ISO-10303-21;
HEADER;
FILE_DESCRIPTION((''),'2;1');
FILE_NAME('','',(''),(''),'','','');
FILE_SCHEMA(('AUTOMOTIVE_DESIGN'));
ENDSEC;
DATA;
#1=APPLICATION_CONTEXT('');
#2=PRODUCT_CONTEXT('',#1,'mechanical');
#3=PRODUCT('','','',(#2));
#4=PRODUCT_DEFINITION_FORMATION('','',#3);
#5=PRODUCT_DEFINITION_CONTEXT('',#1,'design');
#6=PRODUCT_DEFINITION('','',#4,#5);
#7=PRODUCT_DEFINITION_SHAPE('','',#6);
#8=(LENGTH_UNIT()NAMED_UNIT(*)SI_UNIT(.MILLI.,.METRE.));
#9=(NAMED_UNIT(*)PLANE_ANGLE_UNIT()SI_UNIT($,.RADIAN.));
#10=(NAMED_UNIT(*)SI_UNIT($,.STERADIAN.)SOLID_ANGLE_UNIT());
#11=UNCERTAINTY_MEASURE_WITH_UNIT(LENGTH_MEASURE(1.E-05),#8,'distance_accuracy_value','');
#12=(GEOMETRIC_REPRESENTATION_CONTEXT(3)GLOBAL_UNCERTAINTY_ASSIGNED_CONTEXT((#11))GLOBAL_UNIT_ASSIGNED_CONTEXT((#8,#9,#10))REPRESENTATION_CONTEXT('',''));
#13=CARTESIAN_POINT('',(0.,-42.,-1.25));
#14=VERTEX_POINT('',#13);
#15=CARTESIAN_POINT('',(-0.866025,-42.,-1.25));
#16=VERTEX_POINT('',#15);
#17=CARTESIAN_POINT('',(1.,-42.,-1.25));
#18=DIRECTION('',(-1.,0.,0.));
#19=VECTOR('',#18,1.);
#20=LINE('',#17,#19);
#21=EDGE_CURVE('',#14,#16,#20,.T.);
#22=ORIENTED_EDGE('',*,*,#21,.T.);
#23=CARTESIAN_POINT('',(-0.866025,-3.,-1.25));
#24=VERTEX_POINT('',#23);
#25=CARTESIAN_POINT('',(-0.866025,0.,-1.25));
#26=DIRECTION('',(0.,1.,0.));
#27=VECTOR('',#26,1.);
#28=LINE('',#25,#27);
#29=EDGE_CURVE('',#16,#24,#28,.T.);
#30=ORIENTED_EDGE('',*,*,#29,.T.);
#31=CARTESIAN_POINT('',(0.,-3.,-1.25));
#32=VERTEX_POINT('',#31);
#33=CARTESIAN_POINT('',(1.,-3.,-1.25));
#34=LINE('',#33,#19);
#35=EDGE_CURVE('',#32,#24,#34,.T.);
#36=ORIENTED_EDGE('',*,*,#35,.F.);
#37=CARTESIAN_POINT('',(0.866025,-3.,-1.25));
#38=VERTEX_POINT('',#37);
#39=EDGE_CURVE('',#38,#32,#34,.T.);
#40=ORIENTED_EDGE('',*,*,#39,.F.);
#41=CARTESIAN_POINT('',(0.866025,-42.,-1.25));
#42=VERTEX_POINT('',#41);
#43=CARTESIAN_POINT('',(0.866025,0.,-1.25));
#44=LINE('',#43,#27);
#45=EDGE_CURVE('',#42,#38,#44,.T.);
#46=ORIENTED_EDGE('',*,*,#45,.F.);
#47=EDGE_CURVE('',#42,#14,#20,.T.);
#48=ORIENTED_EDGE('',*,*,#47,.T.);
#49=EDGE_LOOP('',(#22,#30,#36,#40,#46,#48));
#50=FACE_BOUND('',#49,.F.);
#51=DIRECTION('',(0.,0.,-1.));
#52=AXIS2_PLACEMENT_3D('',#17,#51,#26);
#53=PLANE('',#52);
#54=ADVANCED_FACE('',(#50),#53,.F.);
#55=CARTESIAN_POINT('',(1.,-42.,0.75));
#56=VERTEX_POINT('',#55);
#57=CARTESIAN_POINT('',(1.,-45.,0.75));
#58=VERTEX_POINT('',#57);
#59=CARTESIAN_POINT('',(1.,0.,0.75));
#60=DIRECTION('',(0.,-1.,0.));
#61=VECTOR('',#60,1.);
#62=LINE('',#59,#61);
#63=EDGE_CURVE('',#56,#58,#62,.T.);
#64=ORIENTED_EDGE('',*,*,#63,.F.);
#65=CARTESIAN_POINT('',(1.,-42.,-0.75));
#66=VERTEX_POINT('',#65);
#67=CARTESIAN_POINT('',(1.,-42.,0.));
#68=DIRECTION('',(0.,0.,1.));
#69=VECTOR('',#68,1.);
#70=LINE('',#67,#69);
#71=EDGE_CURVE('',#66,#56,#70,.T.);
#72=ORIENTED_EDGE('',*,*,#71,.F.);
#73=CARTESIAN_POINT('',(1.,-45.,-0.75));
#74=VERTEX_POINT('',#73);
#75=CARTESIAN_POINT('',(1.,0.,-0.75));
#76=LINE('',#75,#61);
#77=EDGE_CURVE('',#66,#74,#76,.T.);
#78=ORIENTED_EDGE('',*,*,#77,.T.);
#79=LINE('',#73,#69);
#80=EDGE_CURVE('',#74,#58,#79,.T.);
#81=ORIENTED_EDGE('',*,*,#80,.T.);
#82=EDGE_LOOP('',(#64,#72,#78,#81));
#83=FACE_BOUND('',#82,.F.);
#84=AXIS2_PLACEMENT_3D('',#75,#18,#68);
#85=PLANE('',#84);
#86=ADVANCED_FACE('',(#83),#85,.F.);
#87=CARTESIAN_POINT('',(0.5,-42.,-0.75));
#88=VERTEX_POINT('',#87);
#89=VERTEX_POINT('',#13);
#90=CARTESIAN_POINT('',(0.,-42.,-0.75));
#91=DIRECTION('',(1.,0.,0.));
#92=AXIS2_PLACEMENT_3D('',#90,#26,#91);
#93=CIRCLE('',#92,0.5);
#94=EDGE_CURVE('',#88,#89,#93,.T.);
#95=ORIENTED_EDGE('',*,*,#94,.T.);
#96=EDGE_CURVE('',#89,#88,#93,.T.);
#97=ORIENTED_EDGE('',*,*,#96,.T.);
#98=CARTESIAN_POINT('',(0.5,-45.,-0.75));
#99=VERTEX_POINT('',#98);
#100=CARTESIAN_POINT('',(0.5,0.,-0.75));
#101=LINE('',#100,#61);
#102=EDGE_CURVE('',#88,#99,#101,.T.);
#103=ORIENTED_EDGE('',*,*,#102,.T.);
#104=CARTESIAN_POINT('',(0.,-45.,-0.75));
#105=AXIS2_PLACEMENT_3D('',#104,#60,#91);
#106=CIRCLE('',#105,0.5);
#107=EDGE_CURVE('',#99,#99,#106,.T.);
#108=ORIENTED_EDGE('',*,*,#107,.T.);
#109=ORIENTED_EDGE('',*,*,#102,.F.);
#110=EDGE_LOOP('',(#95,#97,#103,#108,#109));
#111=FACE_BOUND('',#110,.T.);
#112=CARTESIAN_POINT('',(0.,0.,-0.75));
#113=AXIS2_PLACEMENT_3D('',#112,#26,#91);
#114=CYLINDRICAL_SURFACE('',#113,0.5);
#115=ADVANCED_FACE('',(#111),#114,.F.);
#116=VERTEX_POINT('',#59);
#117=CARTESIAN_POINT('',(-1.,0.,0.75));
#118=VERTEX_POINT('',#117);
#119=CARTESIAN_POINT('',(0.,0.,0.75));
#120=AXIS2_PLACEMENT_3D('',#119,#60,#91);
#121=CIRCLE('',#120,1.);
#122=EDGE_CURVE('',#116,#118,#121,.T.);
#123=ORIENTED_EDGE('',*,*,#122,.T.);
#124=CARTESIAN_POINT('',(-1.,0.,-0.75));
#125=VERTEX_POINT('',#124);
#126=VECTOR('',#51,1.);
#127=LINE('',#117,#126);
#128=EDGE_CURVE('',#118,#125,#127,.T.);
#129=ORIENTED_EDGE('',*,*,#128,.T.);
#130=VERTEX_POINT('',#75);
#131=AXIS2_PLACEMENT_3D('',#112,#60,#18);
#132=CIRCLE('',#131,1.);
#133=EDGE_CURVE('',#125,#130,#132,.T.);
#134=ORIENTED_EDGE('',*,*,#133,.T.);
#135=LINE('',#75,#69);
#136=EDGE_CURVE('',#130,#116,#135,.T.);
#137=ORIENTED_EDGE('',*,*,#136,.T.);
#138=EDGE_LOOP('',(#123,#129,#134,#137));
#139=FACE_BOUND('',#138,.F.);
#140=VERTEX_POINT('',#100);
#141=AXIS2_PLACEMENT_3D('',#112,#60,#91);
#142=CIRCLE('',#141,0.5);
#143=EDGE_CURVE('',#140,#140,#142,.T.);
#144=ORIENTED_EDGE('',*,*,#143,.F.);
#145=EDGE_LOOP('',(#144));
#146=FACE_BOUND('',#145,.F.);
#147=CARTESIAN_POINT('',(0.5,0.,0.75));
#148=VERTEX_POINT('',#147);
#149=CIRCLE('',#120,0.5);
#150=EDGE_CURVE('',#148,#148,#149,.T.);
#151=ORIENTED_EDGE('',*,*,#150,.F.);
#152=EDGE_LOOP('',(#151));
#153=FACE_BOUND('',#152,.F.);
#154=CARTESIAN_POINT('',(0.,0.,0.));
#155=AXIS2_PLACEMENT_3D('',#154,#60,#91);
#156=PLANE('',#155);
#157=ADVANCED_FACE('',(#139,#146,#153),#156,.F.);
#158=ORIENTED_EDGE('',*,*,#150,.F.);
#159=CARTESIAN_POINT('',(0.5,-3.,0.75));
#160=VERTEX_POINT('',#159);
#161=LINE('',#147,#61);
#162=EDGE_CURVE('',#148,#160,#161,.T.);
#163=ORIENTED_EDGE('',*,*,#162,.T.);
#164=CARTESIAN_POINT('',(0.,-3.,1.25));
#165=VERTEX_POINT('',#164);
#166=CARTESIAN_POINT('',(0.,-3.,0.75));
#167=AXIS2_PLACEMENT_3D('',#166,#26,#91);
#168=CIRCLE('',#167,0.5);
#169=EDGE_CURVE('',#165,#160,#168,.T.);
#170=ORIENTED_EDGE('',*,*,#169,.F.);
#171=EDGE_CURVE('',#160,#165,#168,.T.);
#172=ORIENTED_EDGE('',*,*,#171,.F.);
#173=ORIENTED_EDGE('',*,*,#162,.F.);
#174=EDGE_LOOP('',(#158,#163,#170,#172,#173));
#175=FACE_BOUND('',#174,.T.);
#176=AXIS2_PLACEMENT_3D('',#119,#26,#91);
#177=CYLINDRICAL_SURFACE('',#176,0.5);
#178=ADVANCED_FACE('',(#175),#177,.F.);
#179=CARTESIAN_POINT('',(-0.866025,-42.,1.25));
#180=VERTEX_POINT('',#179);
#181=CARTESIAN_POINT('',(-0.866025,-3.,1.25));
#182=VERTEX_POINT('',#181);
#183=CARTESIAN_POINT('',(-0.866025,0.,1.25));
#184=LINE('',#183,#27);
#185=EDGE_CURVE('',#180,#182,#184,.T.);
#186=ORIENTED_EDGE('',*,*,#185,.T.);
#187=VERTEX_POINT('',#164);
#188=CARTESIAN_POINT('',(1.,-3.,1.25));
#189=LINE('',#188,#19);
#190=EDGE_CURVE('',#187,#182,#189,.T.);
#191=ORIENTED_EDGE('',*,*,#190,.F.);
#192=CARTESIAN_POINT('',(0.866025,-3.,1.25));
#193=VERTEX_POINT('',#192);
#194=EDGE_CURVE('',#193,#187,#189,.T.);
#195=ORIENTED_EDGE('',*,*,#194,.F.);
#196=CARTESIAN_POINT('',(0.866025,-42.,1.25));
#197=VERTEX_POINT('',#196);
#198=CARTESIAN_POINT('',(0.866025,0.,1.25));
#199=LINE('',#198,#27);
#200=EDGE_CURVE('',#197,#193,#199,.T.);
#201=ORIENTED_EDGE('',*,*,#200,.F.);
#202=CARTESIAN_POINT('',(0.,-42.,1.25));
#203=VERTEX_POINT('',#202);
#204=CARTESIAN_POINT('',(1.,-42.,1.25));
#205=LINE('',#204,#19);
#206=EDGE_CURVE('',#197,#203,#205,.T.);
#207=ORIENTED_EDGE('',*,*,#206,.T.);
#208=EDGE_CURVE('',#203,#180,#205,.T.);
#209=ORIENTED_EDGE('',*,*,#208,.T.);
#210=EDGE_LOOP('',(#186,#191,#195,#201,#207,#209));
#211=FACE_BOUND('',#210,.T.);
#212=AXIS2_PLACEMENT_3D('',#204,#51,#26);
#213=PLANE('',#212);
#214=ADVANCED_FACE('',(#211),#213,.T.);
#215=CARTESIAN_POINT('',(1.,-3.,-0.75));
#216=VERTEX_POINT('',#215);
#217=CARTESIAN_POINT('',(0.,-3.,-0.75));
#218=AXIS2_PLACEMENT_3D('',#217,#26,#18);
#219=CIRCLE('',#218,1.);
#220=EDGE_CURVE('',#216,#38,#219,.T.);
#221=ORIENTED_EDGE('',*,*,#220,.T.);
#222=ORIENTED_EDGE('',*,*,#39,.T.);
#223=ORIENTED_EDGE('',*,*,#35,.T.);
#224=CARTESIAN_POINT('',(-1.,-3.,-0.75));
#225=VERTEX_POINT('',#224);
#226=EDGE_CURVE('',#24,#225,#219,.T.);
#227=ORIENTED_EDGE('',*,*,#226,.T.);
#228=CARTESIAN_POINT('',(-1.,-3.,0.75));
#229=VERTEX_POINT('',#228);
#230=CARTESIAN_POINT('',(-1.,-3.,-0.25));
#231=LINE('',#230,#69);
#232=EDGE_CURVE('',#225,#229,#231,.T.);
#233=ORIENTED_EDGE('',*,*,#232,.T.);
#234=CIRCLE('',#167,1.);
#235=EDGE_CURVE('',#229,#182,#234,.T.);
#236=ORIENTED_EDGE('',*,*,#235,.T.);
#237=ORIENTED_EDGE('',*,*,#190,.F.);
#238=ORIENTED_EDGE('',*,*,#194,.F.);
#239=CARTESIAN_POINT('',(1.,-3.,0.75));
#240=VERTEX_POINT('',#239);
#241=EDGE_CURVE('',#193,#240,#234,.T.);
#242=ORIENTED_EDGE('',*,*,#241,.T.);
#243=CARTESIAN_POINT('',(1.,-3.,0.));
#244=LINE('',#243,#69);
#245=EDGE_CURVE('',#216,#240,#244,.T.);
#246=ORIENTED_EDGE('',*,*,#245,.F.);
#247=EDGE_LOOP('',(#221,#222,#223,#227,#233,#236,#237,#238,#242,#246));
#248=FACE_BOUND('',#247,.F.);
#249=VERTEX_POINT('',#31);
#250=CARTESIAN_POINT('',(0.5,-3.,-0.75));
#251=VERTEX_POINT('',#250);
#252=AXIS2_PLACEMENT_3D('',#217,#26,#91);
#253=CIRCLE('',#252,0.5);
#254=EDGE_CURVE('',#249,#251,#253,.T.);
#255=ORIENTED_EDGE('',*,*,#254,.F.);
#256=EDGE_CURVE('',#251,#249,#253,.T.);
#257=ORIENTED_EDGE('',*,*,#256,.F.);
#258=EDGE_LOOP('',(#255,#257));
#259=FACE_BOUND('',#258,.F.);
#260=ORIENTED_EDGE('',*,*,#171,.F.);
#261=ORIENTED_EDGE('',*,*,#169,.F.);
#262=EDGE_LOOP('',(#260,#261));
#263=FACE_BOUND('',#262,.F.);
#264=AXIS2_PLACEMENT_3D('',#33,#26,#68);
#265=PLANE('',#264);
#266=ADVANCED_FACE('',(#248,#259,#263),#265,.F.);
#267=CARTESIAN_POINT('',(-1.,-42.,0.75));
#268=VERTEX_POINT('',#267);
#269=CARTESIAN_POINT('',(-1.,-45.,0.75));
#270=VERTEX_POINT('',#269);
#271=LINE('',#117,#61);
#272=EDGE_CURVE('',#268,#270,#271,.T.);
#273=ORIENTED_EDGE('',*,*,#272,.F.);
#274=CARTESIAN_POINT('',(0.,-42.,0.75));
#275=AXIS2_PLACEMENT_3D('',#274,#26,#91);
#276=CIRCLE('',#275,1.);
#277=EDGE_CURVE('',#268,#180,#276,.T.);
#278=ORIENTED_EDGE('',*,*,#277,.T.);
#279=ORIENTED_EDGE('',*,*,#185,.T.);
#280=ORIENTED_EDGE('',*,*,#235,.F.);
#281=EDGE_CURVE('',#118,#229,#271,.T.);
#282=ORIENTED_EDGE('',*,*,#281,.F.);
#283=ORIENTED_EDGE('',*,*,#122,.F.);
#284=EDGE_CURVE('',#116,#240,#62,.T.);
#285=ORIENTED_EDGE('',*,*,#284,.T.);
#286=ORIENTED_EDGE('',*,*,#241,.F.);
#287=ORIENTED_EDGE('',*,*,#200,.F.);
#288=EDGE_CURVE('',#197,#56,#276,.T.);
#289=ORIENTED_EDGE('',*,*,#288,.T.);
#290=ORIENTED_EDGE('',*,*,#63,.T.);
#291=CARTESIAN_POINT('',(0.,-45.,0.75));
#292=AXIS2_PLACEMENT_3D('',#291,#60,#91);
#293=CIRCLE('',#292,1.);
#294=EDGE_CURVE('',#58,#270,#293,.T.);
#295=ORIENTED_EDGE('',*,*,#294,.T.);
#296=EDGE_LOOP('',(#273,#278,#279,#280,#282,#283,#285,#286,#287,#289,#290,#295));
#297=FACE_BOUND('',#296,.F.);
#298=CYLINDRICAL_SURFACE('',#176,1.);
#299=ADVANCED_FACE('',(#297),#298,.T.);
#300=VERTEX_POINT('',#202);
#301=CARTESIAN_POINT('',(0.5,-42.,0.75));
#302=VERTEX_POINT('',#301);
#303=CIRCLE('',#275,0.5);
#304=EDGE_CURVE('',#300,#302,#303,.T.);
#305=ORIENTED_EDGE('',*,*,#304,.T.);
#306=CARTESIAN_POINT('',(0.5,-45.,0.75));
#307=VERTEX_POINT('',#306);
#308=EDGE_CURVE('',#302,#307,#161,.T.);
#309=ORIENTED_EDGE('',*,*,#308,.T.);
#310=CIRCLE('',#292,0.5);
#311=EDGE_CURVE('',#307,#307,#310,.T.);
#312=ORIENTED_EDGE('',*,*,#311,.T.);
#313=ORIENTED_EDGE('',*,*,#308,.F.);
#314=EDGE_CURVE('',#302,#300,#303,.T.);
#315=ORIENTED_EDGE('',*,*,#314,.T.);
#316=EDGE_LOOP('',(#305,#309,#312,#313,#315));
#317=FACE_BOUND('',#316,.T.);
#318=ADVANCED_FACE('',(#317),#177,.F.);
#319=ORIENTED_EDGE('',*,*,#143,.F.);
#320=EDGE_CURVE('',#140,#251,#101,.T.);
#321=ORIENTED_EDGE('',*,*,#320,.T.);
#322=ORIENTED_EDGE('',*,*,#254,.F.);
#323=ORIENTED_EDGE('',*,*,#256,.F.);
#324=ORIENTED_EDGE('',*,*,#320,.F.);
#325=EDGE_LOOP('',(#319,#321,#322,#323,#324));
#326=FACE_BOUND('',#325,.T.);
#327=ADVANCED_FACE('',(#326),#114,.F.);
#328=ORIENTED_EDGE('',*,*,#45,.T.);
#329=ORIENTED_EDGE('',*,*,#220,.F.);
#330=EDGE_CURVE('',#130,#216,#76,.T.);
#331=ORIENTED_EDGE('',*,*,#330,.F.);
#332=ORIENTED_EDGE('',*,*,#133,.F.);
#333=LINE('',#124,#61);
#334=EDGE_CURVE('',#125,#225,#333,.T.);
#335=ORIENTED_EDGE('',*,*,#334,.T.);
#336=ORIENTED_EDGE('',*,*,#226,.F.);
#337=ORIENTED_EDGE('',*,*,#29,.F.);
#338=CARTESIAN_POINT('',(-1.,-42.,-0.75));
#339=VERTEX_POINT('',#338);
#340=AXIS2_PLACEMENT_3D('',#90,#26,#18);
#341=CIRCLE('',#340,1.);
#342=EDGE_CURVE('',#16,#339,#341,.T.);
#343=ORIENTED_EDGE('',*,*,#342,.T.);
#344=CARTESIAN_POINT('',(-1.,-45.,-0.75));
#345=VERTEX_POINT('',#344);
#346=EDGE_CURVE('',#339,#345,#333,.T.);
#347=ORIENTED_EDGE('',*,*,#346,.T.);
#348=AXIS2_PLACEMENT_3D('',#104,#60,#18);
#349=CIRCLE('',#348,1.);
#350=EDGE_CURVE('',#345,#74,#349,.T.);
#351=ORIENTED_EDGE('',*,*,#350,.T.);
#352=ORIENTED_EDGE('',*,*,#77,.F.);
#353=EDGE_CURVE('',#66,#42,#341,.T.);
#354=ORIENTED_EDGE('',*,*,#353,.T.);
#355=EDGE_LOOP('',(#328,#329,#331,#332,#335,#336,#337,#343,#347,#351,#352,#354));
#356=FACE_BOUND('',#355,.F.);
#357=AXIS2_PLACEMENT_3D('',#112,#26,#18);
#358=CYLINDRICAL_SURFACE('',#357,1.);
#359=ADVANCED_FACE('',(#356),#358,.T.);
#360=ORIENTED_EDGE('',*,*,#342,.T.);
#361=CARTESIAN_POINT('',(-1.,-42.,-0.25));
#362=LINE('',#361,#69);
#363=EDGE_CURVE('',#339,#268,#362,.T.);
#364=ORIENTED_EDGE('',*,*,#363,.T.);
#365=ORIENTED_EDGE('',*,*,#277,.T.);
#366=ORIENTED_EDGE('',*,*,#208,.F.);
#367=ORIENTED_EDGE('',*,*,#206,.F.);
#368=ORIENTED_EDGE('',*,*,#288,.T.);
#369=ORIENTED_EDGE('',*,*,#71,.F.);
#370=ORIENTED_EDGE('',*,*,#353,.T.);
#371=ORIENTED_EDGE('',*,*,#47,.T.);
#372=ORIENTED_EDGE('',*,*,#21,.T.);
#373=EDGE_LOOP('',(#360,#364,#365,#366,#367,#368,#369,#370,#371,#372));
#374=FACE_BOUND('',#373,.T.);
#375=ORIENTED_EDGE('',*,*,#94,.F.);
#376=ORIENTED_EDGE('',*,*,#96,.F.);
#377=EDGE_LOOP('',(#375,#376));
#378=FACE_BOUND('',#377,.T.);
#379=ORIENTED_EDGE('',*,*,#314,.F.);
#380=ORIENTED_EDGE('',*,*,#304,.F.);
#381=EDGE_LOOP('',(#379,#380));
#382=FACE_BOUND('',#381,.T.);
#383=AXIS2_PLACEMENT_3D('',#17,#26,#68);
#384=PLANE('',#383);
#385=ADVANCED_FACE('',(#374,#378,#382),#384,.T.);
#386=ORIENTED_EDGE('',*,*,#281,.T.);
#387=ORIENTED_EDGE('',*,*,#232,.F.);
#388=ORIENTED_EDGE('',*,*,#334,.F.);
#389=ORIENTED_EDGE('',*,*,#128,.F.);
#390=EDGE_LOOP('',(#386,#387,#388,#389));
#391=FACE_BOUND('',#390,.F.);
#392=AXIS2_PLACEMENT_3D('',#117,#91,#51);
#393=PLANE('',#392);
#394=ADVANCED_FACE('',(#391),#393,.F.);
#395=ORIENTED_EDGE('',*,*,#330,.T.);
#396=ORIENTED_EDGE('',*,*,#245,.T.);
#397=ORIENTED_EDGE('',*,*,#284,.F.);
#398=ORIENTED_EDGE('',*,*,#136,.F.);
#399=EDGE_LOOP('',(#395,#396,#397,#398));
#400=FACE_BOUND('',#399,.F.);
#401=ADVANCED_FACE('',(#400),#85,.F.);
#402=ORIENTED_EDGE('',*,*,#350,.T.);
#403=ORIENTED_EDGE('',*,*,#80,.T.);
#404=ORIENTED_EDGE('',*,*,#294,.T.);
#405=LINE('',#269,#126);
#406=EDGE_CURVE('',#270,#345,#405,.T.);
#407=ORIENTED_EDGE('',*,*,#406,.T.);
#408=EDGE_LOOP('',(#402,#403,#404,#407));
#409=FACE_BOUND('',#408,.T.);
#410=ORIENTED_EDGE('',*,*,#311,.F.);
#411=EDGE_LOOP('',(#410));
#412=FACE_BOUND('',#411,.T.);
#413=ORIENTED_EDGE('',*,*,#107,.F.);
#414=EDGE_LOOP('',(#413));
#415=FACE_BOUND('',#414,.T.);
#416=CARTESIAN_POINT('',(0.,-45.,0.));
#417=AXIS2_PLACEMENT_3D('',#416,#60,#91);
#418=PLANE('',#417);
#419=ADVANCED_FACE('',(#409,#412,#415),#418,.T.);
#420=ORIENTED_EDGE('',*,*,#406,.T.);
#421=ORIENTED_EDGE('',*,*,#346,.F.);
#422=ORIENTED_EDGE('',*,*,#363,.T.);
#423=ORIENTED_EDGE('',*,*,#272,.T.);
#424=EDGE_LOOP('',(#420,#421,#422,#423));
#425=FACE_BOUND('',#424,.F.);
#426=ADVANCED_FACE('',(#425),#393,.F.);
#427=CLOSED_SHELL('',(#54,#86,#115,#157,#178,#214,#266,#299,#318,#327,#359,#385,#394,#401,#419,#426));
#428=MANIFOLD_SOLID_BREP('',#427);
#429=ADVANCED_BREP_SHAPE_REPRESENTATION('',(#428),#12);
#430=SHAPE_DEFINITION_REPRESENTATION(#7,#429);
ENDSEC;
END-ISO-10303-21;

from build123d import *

# Parameters (mm, degrees)
F0_R     = 0.5
F1_DEPTH = 45
F2_W     = 39
F2_H     = 2.5
F3_DEPTH = 2.001


with BuildPart() as f1:
    # F0 (on Front) → F1 (new body)
    with BuildSketch(Plane.XZ):
        with BuildLine():
            ThreePointArc((-1, -0.75), (0, -1.75), (1, -0.75))
            Line((1, -0.75), (1, 0.75))
            ThreePointArc((1, 0.75), (0, 1.75), (-1, 0.75))
            Line((-1, 0.75), (-1, -0.75))
        make_face()
        with Locations((0, -0.75)):
            Circle(F0_R, mode=Mode.SUBTRACT)
        with Locations((0, 0.75)):
            Circle(F0_R, mode=Mode.SUBTRACT)
    extrude(amount=F1_DEPTH)

    # F2 (on face) → F3 (cut, through all)
    with BuildSketch(Plane.YZ.offset(1)):
        with Locations((-22.5, 0)):
            Rectangle(F2_W, F2_H)
    extrude(amount=-F3_DEPTH, mode=Mode.SUBTRACT)


solid = f1.part
